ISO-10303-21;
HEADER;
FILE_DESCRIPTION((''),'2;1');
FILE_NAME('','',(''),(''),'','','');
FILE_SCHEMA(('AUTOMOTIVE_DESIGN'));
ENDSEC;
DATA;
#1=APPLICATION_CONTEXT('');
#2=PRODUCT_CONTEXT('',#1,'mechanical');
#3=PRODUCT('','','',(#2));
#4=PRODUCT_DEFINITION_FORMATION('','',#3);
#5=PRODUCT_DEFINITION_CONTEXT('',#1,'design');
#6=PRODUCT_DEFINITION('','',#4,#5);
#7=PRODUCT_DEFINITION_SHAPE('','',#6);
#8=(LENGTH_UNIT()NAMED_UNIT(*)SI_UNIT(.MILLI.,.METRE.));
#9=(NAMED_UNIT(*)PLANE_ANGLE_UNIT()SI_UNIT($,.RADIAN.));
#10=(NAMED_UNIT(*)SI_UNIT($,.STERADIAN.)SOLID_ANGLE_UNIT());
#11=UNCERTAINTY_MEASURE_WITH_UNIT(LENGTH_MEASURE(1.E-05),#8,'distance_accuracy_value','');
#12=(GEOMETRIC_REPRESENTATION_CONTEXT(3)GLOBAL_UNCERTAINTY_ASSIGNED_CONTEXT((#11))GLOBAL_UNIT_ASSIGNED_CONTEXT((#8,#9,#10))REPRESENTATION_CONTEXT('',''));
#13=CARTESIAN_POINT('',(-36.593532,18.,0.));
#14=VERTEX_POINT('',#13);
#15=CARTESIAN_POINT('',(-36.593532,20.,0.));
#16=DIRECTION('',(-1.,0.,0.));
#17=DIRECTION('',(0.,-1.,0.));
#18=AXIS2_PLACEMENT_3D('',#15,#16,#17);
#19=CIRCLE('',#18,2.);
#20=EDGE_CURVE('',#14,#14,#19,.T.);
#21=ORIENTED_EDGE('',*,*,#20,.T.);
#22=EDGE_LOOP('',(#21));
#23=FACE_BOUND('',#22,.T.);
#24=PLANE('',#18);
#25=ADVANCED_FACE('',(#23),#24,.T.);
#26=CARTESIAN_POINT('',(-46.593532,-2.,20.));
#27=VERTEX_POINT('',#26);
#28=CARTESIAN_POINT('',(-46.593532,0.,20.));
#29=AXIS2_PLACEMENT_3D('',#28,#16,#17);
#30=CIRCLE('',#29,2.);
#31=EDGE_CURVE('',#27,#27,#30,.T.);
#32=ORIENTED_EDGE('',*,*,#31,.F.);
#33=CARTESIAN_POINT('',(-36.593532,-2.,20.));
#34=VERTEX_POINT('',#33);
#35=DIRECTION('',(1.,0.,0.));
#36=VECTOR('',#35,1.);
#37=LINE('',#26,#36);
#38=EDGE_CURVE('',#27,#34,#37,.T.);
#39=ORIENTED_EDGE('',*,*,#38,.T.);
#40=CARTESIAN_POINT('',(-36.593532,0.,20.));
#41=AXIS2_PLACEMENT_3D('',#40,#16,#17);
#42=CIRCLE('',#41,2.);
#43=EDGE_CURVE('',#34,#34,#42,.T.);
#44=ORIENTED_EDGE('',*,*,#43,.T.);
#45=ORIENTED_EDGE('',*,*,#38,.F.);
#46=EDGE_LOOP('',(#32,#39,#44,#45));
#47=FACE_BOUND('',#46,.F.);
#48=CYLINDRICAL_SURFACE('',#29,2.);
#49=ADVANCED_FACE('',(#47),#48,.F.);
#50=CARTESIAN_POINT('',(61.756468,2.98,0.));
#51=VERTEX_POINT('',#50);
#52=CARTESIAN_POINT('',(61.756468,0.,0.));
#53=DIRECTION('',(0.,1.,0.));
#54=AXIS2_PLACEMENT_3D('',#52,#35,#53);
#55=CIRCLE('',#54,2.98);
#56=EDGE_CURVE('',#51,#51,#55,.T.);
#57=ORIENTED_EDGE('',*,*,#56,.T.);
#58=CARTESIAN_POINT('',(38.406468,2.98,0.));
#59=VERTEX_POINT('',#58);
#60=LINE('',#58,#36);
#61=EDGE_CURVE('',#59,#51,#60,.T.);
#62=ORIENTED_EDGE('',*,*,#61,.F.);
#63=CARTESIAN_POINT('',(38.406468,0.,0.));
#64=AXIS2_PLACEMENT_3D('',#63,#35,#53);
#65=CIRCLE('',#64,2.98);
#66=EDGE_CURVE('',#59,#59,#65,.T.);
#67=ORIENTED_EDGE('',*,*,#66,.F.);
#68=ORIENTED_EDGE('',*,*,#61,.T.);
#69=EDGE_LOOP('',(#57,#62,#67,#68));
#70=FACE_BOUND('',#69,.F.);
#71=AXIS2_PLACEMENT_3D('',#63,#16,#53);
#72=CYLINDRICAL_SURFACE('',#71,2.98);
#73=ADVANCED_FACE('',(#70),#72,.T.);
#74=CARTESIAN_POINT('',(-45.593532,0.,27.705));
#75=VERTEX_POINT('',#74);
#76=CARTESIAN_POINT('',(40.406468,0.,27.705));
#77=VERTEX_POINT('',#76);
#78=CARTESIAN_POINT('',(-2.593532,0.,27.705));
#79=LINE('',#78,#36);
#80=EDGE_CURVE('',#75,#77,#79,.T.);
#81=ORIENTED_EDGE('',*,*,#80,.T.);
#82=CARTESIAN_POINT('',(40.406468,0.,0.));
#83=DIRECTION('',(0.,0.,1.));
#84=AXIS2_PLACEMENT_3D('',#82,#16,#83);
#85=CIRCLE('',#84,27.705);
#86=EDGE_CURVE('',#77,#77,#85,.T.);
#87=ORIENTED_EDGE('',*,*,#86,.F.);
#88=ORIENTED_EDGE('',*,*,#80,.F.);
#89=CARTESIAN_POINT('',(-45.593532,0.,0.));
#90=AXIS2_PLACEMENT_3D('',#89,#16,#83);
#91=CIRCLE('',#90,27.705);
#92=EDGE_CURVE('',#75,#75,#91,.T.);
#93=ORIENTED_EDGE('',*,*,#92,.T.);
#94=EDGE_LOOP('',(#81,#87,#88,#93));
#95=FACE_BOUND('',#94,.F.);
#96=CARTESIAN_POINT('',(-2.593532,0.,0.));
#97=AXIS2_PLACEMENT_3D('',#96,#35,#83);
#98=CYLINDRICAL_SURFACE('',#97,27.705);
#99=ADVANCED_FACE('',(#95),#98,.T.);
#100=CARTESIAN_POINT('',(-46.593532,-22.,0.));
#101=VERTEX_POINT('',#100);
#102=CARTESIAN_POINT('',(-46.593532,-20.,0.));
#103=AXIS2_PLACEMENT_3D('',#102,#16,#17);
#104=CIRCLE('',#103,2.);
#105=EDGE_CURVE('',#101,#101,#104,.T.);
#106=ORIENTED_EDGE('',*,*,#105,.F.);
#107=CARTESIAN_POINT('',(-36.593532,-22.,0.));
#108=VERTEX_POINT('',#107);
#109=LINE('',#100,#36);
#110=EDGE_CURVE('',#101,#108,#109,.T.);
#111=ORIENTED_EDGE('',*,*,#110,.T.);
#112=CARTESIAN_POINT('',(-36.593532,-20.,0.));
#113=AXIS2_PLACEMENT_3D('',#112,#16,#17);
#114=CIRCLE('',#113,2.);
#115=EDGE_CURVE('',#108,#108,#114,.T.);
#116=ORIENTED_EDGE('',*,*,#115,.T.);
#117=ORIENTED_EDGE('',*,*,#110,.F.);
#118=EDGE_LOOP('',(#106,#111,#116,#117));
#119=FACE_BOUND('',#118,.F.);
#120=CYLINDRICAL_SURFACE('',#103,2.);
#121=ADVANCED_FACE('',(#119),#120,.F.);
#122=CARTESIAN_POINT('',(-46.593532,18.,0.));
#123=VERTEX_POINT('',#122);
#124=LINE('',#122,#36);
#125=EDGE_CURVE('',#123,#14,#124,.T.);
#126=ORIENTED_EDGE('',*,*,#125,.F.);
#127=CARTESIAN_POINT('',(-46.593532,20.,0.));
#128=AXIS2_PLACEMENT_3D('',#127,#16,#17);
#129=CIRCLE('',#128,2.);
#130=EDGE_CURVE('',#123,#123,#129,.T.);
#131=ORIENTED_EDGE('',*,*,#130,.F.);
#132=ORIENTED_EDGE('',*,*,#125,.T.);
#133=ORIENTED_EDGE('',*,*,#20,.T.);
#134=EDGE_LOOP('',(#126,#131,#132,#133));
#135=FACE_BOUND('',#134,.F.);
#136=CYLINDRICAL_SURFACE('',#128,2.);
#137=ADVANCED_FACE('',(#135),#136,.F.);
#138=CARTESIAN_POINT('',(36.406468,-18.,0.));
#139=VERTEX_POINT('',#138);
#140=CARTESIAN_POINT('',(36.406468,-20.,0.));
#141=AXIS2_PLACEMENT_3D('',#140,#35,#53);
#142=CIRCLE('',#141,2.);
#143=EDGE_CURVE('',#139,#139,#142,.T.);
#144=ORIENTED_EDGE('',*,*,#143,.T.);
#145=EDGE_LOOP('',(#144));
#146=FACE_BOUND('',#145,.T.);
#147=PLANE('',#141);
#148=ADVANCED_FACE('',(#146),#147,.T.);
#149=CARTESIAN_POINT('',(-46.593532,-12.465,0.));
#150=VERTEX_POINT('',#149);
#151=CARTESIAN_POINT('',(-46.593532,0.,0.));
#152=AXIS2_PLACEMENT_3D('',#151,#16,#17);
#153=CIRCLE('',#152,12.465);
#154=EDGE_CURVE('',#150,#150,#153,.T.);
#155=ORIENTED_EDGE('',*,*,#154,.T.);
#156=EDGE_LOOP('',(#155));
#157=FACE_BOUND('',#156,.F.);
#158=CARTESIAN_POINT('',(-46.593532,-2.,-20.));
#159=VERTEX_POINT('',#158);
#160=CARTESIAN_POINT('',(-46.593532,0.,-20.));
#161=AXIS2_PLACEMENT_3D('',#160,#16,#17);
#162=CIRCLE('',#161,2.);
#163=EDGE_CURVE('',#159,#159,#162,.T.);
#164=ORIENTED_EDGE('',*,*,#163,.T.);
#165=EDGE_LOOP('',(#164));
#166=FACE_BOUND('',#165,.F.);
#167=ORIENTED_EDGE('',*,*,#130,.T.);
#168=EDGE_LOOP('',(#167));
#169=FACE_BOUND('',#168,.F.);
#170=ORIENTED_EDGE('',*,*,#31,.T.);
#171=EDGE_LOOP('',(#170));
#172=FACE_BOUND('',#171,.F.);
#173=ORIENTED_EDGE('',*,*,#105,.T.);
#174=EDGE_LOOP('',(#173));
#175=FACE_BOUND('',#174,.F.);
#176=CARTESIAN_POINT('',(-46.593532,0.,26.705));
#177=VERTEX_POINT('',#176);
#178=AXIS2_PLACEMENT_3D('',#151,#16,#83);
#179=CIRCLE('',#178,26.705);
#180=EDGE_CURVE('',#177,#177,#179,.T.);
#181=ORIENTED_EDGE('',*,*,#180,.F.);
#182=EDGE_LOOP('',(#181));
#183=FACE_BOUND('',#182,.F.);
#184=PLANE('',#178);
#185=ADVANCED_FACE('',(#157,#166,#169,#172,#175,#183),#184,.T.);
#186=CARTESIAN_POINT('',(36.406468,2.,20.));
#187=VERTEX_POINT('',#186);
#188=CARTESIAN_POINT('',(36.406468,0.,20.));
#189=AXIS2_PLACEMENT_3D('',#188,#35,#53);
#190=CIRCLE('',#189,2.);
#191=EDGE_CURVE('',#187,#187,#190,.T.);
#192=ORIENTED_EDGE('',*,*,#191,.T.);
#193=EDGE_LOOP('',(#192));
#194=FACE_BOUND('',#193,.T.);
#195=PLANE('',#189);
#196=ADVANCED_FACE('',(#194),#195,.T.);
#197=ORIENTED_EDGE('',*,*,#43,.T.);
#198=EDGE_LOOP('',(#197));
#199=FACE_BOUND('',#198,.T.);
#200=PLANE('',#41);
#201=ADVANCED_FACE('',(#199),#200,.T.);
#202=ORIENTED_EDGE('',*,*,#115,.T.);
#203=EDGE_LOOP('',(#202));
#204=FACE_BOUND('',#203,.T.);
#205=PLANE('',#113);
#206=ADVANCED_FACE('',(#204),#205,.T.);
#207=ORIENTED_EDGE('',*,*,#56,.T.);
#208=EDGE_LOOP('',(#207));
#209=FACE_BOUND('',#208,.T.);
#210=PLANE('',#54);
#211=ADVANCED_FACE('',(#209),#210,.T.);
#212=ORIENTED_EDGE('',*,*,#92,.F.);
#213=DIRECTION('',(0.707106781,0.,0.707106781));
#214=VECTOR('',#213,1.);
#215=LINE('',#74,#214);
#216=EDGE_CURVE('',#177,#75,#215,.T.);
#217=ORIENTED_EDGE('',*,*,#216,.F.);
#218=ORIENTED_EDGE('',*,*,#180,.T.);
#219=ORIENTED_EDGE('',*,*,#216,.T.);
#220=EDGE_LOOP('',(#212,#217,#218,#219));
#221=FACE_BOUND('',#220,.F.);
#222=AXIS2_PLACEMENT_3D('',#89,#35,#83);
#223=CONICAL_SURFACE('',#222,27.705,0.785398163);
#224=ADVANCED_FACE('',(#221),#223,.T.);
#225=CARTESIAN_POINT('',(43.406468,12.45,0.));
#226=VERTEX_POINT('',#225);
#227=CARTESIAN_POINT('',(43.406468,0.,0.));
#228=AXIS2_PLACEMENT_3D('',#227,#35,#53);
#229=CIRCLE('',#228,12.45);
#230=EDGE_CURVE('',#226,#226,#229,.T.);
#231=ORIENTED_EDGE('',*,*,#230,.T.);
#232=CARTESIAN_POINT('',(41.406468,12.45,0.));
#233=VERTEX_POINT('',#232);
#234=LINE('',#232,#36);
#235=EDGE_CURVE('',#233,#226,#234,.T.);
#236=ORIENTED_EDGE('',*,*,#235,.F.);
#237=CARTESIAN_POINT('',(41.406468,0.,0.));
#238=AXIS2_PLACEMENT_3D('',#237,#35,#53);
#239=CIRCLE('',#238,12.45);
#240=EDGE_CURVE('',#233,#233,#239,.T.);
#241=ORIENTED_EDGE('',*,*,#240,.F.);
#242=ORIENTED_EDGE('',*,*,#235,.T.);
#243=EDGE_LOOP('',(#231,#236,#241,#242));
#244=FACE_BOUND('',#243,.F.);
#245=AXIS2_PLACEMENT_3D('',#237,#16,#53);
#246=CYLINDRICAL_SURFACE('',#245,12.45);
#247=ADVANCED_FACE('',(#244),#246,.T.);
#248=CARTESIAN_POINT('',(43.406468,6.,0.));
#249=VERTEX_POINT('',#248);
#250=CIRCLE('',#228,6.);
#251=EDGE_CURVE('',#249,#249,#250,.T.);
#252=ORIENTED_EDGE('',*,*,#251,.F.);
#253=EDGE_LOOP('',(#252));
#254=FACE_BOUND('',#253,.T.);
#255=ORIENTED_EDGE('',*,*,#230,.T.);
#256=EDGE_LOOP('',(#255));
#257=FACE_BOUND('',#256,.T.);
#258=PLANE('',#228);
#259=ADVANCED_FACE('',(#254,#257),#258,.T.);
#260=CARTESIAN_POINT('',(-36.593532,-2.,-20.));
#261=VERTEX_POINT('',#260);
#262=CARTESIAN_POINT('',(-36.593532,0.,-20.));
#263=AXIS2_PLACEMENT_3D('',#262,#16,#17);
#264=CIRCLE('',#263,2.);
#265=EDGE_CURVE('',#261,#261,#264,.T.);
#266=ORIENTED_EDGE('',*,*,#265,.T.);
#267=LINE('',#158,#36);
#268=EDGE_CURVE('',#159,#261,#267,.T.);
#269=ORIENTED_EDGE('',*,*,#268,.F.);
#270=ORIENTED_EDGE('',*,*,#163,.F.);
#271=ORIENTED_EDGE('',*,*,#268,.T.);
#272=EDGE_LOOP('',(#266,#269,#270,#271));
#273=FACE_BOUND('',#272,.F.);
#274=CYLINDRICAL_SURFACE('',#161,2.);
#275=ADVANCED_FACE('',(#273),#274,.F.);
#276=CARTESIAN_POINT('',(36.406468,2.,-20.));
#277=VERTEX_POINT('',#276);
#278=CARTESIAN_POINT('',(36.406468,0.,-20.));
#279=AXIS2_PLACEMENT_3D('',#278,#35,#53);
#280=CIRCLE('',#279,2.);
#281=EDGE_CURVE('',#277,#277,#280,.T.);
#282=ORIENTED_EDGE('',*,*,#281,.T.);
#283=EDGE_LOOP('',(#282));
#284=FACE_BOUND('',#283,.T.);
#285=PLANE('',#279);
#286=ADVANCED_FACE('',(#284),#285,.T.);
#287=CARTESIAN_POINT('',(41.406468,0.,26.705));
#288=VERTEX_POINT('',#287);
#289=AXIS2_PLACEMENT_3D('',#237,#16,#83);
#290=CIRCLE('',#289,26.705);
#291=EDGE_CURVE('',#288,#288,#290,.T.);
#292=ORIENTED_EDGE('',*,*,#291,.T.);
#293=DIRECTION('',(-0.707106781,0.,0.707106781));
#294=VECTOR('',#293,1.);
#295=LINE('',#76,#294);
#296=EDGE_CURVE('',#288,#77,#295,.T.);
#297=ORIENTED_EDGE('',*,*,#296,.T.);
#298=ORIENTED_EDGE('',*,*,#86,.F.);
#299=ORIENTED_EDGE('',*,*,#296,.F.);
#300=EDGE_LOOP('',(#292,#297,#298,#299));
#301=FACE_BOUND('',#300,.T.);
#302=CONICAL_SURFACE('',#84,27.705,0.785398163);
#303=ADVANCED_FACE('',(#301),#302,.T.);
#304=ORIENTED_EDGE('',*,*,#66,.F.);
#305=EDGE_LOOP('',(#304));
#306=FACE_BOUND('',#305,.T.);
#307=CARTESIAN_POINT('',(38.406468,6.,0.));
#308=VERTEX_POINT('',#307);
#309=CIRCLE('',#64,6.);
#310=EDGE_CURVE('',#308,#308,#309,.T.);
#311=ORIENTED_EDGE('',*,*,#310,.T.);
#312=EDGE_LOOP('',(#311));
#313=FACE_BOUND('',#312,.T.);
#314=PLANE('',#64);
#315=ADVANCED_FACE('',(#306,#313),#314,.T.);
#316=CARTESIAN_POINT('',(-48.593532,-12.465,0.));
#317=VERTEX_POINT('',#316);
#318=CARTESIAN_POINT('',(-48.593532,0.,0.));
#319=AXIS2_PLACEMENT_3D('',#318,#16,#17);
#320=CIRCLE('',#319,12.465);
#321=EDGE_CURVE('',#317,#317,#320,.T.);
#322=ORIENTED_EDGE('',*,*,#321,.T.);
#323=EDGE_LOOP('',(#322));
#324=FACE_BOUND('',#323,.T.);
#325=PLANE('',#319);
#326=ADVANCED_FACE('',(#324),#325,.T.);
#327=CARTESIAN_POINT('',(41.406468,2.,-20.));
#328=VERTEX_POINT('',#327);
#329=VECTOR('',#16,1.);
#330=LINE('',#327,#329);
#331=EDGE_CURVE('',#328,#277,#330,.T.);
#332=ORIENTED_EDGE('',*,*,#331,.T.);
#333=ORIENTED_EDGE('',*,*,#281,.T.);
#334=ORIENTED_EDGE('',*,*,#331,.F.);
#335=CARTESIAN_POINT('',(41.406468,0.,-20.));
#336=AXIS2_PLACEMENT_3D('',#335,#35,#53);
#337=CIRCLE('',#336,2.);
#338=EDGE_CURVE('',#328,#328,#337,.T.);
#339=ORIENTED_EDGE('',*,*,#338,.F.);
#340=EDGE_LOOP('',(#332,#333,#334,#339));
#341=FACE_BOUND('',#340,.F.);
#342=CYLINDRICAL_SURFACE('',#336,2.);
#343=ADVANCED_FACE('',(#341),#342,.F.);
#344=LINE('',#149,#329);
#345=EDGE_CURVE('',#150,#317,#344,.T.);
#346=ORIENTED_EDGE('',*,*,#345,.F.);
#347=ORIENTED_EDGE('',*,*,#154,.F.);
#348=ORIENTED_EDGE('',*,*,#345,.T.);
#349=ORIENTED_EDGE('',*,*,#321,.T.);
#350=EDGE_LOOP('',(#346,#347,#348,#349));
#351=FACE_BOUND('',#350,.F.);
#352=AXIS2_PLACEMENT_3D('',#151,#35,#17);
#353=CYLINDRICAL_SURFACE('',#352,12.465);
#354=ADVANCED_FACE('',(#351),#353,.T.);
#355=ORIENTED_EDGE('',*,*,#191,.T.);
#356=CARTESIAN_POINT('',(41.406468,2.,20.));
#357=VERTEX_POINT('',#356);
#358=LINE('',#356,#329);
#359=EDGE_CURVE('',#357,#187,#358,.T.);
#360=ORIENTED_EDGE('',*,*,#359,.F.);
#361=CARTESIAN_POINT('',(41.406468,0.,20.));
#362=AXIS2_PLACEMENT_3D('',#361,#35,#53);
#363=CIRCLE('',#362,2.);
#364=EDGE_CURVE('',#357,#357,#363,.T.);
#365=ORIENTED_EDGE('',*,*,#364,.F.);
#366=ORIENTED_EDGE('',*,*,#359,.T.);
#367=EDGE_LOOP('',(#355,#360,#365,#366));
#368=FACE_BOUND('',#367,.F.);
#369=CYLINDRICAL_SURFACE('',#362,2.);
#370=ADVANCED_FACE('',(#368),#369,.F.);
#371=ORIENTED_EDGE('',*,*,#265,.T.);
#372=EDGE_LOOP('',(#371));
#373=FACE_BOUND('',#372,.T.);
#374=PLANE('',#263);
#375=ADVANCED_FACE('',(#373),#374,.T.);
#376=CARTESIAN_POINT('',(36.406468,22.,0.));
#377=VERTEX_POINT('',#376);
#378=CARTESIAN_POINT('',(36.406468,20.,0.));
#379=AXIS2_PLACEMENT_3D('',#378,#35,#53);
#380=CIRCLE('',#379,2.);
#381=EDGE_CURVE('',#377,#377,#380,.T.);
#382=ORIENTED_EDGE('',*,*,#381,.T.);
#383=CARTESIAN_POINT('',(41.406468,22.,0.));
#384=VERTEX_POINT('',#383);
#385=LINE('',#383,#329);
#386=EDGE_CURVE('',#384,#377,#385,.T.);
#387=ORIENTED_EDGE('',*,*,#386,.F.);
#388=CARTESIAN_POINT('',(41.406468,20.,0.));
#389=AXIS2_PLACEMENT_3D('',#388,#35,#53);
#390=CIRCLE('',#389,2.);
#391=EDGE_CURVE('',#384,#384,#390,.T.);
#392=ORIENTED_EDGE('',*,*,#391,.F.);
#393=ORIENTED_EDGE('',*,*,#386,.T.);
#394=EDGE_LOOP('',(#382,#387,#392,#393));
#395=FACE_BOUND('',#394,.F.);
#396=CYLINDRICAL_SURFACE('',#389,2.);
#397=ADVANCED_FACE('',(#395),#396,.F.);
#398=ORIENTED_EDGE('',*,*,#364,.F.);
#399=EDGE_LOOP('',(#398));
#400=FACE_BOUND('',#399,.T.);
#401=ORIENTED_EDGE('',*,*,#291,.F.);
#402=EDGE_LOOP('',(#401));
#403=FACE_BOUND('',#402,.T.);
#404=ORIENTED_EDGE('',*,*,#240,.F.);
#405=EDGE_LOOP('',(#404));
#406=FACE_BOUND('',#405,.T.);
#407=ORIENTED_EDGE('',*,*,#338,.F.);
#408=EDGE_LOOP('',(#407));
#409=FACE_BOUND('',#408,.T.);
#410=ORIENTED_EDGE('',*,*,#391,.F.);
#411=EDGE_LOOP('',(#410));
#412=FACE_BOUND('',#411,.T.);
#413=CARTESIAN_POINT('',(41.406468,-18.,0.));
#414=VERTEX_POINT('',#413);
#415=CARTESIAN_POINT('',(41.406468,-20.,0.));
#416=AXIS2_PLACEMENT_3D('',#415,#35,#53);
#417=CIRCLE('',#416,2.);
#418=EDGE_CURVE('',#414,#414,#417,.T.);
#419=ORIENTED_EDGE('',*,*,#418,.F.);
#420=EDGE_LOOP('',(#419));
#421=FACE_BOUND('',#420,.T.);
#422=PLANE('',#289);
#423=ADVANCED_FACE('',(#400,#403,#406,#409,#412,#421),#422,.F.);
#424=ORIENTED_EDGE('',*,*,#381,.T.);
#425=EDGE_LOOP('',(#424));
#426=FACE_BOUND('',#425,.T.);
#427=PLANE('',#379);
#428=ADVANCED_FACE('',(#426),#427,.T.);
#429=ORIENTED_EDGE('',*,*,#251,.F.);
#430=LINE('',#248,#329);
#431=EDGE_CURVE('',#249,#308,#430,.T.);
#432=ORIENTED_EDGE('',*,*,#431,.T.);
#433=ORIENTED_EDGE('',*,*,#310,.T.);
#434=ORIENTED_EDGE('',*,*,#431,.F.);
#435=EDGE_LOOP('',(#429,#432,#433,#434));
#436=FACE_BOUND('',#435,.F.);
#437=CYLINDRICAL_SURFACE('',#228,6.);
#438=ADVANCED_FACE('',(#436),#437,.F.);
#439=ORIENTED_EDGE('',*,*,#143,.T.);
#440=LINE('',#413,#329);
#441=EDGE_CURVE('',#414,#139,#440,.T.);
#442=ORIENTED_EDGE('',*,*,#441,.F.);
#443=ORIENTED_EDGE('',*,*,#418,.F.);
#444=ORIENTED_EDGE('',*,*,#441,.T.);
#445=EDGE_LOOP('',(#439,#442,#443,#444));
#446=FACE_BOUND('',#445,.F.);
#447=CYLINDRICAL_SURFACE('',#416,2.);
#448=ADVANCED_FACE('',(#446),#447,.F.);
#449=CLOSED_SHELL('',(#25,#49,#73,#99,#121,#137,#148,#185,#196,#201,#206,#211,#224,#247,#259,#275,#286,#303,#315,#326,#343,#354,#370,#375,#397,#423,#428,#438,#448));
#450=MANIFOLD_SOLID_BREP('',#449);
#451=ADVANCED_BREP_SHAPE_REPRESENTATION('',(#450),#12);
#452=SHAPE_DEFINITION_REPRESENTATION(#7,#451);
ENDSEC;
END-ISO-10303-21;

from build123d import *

# Parameters (mm, degrees)
F0_W      = 88
F0_H      = 27.705
F2_SIZE   = 1
F3_R      = 12.45
F4_DEPTH  = 2
F5_R      = 12.465
F6_DEPTH  = 2
F7_R      = 2
F8_DEPTH  = 10
F9_R      = 6
F10_DEPTH = 5
F11_R     = 2.98
F12_DEPTH = 23.35
F13_R     = 2
F14_DEPTH = 5


with BuildPart() as f1:
    # F0 (on Front) → F1 (revolve)
    with BuildSketch(Plane.XZ):
        with Locations((-2.593532, 13.8525)):
            Rectangle(F0_W, F0_H)
    revolve(axis=Axis((-2.593532, 0, 0), (-1, 0, 0)))

    # F2
    f2_edges = [f1.edges().sort_by_distance(p)[0] for p in [
        (-46.593532, 0, -27.705),
        (41.406468, 0, -27.705),
    ]]
    chamfer(f2_edges, length=F2_SIZE)

    # F3 (on face) → F4 (join)
    with BuildSketch(Plane.YZ.offset(41.406468)):
        Circle(F3_R)
    extrude(amount=F4_DEPTH)

    # F5 (on face) → F6 (join)
    with BuildSketch(Plane(origin=(-46.593532, 0, 0), x_dir=(0, -1, 0), z_dir=(-1, 0, 0))):
        Circle(F5_R)
    extrude(amount=F6_DEPTH)

    # F7 (on face) → F8 (cut)
    with BuildSketch(Plane(origin=(-46.593532, 0, 0), x_dir=(0, -1, 0), z_dir=(-1, 0, 0))):
        with Locations((0, 20)):
            Circle(F7_R)
        with Locations((-20, 0)):
            Circle(F7_R)
        with Locations((0, -20)):
            Circle(F7_R)
        with Locations((20, 0)):
            Circle(F7_R)
    extrude(amount=-F8_DEPTH, mode=Mode.SUBTRACT)

    # F9 (on face) → F10 (cut)
    with BuildSketch(Plane.YZ.offset(43.406468)):
        Circle(F9_R)
    extrude(amount=-F10_DEPTH, mode=Mode.SUBTRACT)

    # F11 (on face) → F12 (join)
    with BuildSketch(Plane.YZ.offset(38.406468)):
        Circle(F11_R)
    extrude(amount=F12_DEPTH)

    # F13 (on face) → F14 (cut)
    with BuildSketch(Plane.YZ.offset(41.406468)):
        with Locations((0, 20)):
            Circle(F13_R)
        with Locations((20, 0)):
            Circle(F13_R)
        with Locations((0, -20)):
            Circle(F13_R)
        with Locations((-20, 0)):
            Circle(F13_R)
    extrude(amount=-F14_DEPTH, mode=Mode.SUBTRACT)


solid = f1.part
